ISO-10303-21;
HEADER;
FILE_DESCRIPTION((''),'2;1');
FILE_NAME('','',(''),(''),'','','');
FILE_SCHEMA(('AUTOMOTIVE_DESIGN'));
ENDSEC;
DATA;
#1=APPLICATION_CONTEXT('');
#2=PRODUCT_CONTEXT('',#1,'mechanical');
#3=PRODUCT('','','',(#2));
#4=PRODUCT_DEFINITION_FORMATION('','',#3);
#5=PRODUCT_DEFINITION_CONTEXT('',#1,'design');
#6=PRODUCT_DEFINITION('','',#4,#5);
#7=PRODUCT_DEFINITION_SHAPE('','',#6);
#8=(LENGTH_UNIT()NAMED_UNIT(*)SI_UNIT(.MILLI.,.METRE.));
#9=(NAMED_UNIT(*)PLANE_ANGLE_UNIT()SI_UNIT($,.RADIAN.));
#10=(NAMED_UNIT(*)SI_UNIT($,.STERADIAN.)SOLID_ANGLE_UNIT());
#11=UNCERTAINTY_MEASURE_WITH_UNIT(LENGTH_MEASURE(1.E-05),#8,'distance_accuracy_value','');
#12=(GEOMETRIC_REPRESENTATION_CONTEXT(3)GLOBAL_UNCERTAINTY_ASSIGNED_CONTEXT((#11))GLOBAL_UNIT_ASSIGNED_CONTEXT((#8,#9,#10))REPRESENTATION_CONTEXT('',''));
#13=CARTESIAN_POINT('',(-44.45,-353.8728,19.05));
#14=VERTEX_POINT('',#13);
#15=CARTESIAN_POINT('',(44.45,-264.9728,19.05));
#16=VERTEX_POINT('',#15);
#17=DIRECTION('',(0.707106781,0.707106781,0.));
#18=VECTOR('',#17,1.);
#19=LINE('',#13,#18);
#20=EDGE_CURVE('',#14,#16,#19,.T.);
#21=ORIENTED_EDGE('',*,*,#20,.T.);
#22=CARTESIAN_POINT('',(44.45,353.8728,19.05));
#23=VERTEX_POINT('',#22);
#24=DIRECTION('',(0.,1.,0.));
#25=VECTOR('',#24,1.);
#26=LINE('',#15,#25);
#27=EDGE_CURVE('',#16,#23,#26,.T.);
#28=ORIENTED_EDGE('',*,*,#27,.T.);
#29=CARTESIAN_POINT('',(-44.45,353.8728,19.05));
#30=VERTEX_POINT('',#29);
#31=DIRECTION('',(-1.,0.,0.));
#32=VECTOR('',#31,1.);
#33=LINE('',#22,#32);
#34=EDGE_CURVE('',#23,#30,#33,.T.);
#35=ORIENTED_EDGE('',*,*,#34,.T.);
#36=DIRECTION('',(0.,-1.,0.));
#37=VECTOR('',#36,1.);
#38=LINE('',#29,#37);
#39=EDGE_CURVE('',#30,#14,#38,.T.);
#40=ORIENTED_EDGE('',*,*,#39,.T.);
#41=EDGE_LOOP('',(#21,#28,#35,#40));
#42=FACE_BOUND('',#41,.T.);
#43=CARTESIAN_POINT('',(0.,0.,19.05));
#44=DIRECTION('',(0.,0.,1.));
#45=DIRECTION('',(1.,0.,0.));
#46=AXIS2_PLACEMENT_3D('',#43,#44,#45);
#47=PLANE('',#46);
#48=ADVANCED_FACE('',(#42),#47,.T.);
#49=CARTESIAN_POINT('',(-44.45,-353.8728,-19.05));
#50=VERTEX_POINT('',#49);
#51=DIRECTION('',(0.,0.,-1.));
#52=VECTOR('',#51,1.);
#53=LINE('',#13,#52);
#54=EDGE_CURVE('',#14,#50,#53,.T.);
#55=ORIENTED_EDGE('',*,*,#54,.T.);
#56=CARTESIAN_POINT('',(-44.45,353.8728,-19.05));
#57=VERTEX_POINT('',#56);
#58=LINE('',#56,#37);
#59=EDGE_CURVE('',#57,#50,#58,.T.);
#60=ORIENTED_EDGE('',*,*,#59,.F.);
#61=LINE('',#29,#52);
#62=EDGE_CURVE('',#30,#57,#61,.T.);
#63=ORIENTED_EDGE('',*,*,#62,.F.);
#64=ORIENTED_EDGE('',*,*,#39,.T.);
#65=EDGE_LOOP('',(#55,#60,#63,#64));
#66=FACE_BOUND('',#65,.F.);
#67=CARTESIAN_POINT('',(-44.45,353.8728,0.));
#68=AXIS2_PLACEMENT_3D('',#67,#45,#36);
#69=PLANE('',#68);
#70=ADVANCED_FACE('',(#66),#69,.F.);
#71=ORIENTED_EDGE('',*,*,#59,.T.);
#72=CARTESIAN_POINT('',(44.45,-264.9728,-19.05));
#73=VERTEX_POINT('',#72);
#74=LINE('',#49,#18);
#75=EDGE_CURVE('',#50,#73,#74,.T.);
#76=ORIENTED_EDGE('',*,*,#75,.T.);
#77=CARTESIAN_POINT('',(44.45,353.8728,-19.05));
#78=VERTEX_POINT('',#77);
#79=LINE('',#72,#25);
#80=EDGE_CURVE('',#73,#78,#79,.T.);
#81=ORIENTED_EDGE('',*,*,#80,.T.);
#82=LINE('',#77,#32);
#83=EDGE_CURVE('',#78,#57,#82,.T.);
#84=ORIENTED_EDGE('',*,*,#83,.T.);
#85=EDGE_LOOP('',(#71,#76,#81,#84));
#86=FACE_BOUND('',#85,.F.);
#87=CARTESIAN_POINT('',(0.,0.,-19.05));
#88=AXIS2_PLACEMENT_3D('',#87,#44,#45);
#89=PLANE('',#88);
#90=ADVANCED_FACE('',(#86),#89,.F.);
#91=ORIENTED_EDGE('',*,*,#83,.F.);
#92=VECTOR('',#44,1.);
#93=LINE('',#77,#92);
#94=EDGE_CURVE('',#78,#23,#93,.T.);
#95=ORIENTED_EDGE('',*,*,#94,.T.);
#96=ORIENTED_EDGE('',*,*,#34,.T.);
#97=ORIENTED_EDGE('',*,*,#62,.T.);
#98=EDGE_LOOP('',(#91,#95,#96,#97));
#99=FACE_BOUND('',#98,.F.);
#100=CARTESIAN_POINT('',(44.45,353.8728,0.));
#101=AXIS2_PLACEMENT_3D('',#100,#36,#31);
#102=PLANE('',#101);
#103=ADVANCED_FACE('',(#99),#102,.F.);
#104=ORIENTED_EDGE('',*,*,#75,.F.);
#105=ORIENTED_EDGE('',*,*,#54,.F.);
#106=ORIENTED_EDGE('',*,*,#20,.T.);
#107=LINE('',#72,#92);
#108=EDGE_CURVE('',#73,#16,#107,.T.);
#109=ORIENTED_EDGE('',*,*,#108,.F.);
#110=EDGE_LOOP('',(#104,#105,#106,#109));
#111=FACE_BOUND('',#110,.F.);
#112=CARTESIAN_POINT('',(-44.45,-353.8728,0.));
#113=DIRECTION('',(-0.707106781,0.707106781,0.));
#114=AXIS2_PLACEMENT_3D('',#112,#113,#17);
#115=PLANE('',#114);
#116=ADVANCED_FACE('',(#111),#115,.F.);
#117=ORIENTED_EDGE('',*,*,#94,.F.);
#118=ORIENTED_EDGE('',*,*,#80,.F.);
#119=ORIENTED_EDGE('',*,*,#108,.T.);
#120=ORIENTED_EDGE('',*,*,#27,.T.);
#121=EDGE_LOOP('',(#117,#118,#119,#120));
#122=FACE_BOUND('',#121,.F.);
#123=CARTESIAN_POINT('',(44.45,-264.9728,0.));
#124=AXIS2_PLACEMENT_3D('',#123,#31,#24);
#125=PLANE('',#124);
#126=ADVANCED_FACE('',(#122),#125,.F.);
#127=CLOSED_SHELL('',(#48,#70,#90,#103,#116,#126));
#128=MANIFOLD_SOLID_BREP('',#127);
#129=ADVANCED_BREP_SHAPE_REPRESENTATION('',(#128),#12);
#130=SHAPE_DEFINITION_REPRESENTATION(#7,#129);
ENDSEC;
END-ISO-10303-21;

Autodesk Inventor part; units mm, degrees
ref_plane "YZ Plane" through (0, 0, 0) normal (1, 0, 0) x (0, 1, 0)
ref_plane "XZ Plane" through (0, 0, 0) normal (0, 1, 0) x (-1, 0, 0)
ref_plane "XY Plane" through (0, 0, 0) normal (0, 0, 1) x (1, 0, 0)
sketch "Sketch3" plane through (0, 0, 0) normal (0, 0, 1) x (1, 0, 0)
  line L0 (44.45, -264.9728) -> (44.45, 353.8728)
  line L1 (44.45, 353.8728) -> (-44.45, 353.8728)
  line L2 (-44.45, 353.8728) -> (-44.45, -353.8728)
  line L3 (-44.45, -353.8728) -> (44.45, 353.8728) construction
  line L4 (44.45, -353.8728) -> (-44.45, 353.8728) construction
  line L5 (-44.45, -353.8728) -> (44.45, -264.9728)
  line L6 (44.45, -353.8728) -> (81.2736, -353.8728) construction
  point P0 (0, 0)
  dimension "d16" = 45
  dimension "d17" = 707.7456
  dimension "d18" = 88.9
extrude "Extrusion2" add sketch "Sketch3" along normal mid plane 38.1
properties part number "Front Face Upper Support for Slats" material "Wood (Cherry)"
